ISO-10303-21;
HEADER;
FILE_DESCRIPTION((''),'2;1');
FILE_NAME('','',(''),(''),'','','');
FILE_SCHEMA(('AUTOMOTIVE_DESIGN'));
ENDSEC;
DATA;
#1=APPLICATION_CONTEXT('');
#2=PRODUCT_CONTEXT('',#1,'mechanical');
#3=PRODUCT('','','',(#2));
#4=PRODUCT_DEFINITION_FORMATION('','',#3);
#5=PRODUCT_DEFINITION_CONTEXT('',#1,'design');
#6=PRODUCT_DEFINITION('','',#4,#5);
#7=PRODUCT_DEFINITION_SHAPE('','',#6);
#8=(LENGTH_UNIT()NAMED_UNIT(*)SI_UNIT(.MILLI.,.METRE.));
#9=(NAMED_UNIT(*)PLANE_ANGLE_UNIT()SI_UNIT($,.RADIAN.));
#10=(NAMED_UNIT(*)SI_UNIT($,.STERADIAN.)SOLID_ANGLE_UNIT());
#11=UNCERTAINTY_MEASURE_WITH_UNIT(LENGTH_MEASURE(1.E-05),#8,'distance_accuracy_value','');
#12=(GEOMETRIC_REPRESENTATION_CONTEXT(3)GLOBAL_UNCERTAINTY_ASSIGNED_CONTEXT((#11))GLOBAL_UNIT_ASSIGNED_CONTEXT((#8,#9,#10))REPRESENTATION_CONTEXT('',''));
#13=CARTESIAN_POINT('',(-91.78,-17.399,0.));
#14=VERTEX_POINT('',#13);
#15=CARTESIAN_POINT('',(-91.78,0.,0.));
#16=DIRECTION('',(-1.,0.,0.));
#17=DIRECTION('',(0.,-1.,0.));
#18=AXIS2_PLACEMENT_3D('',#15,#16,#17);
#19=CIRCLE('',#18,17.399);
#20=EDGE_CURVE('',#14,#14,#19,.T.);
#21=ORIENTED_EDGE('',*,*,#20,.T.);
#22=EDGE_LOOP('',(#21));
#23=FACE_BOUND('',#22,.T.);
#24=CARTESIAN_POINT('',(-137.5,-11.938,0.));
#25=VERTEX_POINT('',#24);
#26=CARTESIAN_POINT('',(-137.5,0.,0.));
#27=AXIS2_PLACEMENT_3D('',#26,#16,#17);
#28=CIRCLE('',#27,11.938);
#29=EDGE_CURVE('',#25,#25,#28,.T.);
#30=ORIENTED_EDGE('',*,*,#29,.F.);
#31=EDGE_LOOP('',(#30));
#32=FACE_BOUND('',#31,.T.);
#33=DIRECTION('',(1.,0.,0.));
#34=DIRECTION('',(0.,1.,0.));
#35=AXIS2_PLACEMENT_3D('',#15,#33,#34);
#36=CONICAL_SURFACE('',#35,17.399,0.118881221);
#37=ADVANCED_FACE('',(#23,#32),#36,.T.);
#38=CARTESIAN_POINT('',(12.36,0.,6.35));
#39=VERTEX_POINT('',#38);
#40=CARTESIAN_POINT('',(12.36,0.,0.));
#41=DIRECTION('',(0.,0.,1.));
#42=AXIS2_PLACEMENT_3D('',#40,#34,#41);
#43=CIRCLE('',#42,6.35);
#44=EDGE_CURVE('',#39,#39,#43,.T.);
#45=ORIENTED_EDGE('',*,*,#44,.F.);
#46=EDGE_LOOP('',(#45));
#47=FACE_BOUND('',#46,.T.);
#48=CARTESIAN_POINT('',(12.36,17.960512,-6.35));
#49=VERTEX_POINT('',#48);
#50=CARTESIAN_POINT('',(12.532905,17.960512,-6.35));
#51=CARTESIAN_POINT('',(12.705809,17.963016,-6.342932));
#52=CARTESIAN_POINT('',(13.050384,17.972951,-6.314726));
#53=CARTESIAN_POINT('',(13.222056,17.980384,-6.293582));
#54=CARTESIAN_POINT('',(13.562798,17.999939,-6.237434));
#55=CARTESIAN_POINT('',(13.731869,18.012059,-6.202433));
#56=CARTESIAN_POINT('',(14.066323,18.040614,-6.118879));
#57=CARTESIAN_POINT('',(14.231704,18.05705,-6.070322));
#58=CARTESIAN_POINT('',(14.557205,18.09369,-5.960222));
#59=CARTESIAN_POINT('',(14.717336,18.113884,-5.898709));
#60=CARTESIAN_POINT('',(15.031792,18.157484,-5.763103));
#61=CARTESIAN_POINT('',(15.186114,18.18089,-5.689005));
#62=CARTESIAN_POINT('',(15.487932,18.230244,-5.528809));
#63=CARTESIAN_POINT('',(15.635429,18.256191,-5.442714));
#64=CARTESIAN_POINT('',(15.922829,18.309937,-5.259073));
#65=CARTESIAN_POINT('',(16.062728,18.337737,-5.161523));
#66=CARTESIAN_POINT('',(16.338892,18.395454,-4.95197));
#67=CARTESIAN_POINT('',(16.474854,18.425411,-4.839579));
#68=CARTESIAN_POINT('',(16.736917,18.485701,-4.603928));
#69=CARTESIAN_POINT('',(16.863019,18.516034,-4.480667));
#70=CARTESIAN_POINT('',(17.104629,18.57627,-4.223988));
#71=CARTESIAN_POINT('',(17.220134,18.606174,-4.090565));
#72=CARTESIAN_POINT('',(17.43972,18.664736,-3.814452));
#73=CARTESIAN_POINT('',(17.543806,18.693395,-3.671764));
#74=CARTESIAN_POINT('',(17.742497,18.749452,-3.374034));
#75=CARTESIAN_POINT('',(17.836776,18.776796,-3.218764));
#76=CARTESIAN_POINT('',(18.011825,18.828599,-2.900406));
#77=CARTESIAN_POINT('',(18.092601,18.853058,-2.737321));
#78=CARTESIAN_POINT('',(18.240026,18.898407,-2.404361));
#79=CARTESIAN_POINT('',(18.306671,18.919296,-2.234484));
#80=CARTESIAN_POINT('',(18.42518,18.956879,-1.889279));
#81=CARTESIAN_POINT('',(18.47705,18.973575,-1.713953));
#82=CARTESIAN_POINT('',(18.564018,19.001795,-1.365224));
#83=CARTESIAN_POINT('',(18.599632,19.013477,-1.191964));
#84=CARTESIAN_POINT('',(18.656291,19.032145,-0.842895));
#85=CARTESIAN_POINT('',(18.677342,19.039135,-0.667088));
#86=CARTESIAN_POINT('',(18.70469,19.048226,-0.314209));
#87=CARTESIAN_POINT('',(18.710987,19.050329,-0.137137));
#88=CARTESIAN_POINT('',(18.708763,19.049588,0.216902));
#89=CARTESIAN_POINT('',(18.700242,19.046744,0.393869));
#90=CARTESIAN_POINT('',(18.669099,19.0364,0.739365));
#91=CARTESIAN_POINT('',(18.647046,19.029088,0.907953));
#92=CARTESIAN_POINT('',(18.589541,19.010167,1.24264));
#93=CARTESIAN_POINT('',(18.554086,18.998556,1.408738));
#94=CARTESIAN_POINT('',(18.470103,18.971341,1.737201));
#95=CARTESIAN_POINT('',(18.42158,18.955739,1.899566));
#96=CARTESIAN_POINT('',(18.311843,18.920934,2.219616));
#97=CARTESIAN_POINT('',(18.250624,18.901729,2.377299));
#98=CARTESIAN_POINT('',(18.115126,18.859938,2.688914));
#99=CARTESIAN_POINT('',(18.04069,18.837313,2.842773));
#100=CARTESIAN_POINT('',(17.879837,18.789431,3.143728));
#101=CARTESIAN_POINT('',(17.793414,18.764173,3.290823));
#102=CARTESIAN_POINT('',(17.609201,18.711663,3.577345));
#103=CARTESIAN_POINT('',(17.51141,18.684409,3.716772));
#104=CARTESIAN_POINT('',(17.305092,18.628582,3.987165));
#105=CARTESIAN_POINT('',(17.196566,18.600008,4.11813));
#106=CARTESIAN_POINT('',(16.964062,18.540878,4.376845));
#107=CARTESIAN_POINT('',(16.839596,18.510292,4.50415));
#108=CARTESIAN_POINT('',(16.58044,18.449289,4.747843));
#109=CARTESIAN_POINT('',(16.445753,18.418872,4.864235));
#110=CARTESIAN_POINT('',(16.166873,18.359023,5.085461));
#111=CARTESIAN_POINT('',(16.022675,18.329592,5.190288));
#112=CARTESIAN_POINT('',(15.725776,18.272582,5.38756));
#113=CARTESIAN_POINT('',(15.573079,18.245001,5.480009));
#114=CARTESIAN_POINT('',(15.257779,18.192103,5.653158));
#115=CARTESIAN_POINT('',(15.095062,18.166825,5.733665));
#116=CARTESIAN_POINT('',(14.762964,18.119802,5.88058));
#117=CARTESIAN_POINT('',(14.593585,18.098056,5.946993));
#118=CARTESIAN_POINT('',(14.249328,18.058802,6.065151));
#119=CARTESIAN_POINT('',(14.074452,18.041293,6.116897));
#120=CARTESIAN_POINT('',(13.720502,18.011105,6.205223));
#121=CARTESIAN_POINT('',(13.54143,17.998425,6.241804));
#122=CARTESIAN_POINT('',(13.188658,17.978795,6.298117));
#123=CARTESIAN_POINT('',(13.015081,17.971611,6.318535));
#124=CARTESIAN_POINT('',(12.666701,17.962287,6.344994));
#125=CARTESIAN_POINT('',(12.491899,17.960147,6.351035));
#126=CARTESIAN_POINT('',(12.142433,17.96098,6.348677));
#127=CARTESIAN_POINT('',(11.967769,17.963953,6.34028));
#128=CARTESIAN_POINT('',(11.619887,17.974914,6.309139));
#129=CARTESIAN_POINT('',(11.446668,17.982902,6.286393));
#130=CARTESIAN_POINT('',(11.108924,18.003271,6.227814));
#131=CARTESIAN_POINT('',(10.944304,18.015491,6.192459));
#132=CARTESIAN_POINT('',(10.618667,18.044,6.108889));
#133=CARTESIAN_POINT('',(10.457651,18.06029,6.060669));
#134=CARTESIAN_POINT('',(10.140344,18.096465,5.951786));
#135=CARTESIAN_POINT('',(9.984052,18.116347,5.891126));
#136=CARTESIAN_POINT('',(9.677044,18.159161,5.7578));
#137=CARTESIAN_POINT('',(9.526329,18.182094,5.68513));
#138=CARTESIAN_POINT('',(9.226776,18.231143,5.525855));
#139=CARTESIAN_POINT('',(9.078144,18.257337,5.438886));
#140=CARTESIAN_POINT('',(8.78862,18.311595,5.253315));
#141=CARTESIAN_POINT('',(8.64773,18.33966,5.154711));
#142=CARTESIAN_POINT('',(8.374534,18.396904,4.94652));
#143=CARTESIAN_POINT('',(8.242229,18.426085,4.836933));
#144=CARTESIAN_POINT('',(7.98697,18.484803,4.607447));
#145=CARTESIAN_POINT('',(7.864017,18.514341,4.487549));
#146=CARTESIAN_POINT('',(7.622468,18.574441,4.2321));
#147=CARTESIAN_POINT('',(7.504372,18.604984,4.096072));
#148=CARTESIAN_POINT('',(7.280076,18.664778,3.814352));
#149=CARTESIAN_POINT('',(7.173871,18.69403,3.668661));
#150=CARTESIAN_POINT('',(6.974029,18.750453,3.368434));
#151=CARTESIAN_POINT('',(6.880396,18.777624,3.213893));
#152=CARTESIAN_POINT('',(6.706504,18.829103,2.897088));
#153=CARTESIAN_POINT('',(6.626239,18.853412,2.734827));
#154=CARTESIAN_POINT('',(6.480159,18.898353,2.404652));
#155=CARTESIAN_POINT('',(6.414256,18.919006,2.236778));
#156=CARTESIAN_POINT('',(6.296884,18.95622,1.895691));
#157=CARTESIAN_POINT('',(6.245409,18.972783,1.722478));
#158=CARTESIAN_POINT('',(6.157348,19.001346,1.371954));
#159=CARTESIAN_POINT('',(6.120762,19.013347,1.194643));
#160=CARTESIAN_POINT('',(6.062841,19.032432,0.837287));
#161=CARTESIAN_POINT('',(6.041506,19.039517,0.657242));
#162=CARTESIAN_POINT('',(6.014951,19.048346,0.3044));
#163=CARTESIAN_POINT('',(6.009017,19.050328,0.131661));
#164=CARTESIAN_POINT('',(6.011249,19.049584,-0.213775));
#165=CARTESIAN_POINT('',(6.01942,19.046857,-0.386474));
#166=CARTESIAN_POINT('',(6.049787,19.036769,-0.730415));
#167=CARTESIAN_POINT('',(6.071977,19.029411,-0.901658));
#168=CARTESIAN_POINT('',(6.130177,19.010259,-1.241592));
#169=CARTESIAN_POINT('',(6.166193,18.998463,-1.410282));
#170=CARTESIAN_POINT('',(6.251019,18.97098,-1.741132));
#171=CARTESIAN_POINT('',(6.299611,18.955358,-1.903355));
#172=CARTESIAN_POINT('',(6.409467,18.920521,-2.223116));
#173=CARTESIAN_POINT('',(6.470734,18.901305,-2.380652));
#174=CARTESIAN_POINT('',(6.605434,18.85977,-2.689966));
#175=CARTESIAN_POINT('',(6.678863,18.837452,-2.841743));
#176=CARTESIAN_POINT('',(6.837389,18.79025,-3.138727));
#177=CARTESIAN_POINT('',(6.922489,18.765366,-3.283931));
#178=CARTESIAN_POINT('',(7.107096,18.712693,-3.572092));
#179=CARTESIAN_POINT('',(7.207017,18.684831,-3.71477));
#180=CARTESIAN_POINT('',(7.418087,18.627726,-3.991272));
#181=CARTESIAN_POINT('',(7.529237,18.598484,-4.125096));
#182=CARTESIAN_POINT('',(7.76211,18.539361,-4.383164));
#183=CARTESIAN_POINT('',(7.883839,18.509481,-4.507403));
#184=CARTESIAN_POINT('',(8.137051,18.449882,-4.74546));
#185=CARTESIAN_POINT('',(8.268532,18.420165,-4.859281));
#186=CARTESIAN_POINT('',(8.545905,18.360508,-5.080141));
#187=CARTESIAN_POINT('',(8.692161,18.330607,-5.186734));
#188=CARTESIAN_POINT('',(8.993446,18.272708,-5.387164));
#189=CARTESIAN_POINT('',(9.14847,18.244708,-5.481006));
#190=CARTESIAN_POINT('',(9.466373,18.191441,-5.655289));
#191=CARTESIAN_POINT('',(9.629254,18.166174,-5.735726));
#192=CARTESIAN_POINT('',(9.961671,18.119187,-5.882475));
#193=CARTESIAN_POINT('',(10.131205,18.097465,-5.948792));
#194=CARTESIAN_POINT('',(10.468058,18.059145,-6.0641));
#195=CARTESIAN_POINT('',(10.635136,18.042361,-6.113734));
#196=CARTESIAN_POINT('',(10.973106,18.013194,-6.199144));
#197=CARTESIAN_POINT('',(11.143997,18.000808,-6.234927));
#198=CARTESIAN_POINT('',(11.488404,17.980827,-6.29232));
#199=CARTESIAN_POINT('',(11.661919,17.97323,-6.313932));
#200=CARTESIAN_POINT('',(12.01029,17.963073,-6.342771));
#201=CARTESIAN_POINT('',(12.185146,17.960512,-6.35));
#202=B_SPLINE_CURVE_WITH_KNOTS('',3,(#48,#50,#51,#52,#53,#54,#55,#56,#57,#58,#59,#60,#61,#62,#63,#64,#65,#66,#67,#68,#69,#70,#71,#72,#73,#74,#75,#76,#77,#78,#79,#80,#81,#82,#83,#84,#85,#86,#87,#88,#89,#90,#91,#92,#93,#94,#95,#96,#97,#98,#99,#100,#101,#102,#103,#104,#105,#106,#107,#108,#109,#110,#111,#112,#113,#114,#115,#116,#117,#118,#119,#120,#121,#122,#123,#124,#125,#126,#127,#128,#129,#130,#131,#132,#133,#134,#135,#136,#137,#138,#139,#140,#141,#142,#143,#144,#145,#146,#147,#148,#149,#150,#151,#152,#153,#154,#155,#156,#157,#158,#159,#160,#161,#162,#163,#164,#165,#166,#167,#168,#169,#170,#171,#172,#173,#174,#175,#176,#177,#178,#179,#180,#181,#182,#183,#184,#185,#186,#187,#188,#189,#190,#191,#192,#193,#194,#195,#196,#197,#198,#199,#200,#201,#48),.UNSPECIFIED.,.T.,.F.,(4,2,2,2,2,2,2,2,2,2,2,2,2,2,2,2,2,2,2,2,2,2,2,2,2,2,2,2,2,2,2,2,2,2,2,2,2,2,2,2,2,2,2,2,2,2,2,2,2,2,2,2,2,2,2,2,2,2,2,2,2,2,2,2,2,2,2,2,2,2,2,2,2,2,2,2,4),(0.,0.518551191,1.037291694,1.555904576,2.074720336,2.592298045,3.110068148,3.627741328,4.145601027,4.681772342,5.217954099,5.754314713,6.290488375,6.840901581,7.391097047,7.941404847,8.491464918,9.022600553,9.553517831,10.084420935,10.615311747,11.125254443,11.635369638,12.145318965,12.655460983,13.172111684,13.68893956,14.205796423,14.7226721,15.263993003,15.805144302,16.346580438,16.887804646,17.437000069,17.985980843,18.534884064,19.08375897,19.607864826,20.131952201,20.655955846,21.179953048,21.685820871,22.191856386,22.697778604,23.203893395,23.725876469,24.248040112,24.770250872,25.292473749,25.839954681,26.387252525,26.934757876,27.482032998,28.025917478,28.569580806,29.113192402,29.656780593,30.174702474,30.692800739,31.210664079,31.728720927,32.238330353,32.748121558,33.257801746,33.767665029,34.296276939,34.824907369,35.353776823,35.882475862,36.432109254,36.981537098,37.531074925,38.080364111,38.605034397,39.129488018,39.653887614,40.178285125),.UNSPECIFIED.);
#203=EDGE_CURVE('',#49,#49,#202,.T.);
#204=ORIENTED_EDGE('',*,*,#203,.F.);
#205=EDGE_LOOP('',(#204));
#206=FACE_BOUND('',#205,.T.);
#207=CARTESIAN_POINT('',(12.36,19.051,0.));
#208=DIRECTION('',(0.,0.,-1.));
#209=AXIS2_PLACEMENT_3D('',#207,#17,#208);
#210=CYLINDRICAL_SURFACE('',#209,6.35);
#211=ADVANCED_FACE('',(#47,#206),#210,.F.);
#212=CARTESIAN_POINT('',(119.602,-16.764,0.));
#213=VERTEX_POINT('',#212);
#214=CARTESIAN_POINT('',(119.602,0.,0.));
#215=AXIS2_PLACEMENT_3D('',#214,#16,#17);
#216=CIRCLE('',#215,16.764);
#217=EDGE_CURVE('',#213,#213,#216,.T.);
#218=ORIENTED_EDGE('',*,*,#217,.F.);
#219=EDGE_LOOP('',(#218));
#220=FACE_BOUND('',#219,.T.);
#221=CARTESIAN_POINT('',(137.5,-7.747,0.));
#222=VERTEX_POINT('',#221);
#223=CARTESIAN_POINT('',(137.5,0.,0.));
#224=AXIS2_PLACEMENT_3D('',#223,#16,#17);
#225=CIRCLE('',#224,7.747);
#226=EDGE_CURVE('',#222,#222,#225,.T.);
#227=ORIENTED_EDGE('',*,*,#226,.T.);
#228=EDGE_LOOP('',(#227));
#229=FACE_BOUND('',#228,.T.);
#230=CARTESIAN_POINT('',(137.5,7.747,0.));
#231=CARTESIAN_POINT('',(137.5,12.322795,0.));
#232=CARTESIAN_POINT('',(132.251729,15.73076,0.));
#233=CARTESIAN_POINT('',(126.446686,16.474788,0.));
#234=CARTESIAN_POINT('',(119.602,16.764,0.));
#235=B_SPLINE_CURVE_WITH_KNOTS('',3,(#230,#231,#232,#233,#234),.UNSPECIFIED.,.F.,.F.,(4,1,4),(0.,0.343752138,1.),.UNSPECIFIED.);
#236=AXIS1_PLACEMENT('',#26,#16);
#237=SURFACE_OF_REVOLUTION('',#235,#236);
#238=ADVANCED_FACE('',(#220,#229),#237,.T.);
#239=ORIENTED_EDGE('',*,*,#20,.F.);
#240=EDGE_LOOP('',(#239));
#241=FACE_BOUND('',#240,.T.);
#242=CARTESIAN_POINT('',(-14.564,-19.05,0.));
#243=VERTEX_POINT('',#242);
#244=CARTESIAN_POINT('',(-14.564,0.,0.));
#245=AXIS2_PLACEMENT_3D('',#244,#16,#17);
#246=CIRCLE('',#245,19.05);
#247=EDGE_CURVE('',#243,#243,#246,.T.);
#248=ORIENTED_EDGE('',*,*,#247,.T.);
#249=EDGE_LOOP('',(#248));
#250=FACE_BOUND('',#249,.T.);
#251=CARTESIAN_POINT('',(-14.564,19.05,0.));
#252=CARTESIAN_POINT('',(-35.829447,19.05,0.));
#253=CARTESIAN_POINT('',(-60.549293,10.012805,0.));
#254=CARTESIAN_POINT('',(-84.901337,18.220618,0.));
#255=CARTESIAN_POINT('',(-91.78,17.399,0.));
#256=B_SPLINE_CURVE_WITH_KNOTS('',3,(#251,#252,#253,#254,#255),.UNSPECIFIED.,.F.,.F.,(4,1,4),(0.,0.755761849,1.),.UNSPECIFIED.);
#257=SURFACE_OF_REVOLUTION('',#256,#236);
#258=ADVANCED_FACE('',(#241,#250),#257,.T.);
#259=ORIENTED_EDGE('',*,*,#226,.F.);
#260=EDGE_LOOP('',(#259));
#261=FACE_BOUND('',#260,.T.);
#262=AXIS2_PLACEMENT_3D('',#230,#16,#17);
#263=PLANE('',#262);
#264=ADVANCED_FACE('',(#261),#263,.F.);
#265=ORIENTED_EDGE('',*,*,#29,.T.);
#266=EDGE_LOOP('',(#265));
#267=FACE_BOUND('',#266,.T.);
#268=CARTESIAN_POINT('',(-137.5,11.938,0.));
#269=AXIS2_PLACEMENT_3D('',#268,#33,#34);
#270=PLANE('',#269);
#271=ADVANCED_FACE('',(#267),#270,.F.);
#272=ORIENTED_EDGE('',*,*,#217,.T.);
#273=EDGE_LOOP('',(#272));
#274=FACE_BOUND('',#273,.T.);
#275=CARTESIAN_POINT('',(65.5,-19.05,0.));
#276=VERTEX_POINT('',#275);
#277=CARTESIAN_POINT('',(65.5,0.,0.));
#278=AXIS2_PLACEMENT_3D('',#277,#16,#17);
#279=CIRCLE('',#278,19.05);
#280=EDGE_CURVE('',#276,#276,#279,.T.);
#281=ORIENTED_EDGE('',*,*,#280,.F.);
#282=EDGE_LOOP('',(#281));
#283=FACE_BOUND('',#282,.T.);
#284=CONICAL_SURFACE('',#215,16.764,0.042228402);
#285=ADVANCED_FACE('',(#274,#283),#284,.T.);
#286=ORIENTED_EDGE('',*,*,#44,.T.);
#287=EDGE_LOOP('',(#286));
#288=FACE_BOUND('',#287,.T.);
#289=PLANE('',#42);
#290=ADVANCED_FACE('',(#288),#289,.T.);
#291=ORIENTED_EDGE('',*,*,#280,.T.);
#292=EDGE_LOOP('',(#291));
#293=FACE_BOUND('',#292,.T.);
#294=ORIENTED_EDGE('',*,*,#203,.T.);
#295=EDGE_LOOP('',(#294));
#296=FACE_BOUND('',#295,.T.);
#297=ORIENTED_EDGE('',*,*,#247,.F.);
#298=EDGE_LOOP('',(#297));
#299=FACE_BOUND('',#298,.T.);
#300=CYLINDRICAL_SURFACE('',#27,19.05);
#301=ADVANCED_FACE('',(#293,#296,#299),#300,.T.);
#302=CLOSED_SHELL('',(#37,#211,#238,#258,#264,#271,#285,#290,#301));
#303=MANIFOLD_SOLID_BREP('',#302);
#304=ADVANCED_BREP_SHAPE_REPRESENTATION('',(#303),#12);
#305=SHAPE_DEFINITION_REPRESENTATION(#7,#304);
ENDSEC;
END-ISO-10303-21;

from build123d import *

# Parameters (mm, degrees)
CUT_EXTRUDE1_REACH      = 142.114
CUT_EXTRUDE1_END_RADIUS = 19.05
SKETCH3_R               = 6.35


with BuildPart() as part:
    # Sketch1 → Revolve1 (revolve)
    with BuildSketch(Plane.XY, mode=Mode.PRIVATE) as revolve1_sk:
        with BuildLine():
            Line((-137.5, 0), (137.5, 0))
            Line((137.5, 0), (137.5, 7.747))
            add(Edge.make_bspline(
                [(119.602, 16.764), (126.446685513, 16.474787936), (132.251729161, 15.730759902), (137.5, 12.322795174), (137.5, 7.747)],
                knots=[0, 0, 0, 0, 0.656247862, 1, 1, 1, 1], degree=3))
            Line((119.602, 16.764), (65.5, 19.05))
            Line((65.5, 19.05), (-14.564, 19.05))
            add(Edge.make_bspline(
                [(-91.78, 17.399), (-84.901336541, 18.220618135), (-60.549292723, 10.012805319), (-35.82944709, 19.05), (-14.564, 19.05)],
                knots=[0, 0, 0, 0, 0.244238151, 1, 1, 1, 1], degree=3))
            Line((-91.78, 17.399), (-137.5, 11.938))
            Line((-137.5, 11.938), (-137.5, 0))
        make_face()
    revolve(revolve1_sk.sketch.rotate(Axis((-137.5, 0, 0), (1, 0, 0)), 180), axis=Axis((-137.5, 0, 0), (1, 0, 0)))

    # Cut-Extrude1: up to this cylinder (the profile starts inside it)
    cut_extrude1_end = Plane(origin=(12.36, 0, 0), z_dir=(-1, 0, 0)) * Cylinder(CUT_EXTRUDE1_END_RADIUS, 323.328, mode=Mode.PRIVATE)
    # Sketch3 → Cut-Extrude1 (cut, up to the surface)
    with BuildSketch(Plane(origin=(0, 0, 0), x_dir=(1, 0, 0), z_dir=(0, 1, 0)), mode=Mode.PRIVATE) as cut_extrude1_sk1:
        with Locations(Location((12.36, 0, 0), (0, 0, 90))):
            Circle(SKETCH3_R)
    cut_extrude1_tool1 = extrude(cut_extrude1_sk1.sketch, amount=CUT_EXTRUDE1_REACH, mode=Mode.PRIVATE) & cut_extrude1_end
    add(cut_extrude1_tool1.solids().sort_by_distance((12.36, 0, 0))[0], mode=Mode.SUBTRACT)


solid = part.part
